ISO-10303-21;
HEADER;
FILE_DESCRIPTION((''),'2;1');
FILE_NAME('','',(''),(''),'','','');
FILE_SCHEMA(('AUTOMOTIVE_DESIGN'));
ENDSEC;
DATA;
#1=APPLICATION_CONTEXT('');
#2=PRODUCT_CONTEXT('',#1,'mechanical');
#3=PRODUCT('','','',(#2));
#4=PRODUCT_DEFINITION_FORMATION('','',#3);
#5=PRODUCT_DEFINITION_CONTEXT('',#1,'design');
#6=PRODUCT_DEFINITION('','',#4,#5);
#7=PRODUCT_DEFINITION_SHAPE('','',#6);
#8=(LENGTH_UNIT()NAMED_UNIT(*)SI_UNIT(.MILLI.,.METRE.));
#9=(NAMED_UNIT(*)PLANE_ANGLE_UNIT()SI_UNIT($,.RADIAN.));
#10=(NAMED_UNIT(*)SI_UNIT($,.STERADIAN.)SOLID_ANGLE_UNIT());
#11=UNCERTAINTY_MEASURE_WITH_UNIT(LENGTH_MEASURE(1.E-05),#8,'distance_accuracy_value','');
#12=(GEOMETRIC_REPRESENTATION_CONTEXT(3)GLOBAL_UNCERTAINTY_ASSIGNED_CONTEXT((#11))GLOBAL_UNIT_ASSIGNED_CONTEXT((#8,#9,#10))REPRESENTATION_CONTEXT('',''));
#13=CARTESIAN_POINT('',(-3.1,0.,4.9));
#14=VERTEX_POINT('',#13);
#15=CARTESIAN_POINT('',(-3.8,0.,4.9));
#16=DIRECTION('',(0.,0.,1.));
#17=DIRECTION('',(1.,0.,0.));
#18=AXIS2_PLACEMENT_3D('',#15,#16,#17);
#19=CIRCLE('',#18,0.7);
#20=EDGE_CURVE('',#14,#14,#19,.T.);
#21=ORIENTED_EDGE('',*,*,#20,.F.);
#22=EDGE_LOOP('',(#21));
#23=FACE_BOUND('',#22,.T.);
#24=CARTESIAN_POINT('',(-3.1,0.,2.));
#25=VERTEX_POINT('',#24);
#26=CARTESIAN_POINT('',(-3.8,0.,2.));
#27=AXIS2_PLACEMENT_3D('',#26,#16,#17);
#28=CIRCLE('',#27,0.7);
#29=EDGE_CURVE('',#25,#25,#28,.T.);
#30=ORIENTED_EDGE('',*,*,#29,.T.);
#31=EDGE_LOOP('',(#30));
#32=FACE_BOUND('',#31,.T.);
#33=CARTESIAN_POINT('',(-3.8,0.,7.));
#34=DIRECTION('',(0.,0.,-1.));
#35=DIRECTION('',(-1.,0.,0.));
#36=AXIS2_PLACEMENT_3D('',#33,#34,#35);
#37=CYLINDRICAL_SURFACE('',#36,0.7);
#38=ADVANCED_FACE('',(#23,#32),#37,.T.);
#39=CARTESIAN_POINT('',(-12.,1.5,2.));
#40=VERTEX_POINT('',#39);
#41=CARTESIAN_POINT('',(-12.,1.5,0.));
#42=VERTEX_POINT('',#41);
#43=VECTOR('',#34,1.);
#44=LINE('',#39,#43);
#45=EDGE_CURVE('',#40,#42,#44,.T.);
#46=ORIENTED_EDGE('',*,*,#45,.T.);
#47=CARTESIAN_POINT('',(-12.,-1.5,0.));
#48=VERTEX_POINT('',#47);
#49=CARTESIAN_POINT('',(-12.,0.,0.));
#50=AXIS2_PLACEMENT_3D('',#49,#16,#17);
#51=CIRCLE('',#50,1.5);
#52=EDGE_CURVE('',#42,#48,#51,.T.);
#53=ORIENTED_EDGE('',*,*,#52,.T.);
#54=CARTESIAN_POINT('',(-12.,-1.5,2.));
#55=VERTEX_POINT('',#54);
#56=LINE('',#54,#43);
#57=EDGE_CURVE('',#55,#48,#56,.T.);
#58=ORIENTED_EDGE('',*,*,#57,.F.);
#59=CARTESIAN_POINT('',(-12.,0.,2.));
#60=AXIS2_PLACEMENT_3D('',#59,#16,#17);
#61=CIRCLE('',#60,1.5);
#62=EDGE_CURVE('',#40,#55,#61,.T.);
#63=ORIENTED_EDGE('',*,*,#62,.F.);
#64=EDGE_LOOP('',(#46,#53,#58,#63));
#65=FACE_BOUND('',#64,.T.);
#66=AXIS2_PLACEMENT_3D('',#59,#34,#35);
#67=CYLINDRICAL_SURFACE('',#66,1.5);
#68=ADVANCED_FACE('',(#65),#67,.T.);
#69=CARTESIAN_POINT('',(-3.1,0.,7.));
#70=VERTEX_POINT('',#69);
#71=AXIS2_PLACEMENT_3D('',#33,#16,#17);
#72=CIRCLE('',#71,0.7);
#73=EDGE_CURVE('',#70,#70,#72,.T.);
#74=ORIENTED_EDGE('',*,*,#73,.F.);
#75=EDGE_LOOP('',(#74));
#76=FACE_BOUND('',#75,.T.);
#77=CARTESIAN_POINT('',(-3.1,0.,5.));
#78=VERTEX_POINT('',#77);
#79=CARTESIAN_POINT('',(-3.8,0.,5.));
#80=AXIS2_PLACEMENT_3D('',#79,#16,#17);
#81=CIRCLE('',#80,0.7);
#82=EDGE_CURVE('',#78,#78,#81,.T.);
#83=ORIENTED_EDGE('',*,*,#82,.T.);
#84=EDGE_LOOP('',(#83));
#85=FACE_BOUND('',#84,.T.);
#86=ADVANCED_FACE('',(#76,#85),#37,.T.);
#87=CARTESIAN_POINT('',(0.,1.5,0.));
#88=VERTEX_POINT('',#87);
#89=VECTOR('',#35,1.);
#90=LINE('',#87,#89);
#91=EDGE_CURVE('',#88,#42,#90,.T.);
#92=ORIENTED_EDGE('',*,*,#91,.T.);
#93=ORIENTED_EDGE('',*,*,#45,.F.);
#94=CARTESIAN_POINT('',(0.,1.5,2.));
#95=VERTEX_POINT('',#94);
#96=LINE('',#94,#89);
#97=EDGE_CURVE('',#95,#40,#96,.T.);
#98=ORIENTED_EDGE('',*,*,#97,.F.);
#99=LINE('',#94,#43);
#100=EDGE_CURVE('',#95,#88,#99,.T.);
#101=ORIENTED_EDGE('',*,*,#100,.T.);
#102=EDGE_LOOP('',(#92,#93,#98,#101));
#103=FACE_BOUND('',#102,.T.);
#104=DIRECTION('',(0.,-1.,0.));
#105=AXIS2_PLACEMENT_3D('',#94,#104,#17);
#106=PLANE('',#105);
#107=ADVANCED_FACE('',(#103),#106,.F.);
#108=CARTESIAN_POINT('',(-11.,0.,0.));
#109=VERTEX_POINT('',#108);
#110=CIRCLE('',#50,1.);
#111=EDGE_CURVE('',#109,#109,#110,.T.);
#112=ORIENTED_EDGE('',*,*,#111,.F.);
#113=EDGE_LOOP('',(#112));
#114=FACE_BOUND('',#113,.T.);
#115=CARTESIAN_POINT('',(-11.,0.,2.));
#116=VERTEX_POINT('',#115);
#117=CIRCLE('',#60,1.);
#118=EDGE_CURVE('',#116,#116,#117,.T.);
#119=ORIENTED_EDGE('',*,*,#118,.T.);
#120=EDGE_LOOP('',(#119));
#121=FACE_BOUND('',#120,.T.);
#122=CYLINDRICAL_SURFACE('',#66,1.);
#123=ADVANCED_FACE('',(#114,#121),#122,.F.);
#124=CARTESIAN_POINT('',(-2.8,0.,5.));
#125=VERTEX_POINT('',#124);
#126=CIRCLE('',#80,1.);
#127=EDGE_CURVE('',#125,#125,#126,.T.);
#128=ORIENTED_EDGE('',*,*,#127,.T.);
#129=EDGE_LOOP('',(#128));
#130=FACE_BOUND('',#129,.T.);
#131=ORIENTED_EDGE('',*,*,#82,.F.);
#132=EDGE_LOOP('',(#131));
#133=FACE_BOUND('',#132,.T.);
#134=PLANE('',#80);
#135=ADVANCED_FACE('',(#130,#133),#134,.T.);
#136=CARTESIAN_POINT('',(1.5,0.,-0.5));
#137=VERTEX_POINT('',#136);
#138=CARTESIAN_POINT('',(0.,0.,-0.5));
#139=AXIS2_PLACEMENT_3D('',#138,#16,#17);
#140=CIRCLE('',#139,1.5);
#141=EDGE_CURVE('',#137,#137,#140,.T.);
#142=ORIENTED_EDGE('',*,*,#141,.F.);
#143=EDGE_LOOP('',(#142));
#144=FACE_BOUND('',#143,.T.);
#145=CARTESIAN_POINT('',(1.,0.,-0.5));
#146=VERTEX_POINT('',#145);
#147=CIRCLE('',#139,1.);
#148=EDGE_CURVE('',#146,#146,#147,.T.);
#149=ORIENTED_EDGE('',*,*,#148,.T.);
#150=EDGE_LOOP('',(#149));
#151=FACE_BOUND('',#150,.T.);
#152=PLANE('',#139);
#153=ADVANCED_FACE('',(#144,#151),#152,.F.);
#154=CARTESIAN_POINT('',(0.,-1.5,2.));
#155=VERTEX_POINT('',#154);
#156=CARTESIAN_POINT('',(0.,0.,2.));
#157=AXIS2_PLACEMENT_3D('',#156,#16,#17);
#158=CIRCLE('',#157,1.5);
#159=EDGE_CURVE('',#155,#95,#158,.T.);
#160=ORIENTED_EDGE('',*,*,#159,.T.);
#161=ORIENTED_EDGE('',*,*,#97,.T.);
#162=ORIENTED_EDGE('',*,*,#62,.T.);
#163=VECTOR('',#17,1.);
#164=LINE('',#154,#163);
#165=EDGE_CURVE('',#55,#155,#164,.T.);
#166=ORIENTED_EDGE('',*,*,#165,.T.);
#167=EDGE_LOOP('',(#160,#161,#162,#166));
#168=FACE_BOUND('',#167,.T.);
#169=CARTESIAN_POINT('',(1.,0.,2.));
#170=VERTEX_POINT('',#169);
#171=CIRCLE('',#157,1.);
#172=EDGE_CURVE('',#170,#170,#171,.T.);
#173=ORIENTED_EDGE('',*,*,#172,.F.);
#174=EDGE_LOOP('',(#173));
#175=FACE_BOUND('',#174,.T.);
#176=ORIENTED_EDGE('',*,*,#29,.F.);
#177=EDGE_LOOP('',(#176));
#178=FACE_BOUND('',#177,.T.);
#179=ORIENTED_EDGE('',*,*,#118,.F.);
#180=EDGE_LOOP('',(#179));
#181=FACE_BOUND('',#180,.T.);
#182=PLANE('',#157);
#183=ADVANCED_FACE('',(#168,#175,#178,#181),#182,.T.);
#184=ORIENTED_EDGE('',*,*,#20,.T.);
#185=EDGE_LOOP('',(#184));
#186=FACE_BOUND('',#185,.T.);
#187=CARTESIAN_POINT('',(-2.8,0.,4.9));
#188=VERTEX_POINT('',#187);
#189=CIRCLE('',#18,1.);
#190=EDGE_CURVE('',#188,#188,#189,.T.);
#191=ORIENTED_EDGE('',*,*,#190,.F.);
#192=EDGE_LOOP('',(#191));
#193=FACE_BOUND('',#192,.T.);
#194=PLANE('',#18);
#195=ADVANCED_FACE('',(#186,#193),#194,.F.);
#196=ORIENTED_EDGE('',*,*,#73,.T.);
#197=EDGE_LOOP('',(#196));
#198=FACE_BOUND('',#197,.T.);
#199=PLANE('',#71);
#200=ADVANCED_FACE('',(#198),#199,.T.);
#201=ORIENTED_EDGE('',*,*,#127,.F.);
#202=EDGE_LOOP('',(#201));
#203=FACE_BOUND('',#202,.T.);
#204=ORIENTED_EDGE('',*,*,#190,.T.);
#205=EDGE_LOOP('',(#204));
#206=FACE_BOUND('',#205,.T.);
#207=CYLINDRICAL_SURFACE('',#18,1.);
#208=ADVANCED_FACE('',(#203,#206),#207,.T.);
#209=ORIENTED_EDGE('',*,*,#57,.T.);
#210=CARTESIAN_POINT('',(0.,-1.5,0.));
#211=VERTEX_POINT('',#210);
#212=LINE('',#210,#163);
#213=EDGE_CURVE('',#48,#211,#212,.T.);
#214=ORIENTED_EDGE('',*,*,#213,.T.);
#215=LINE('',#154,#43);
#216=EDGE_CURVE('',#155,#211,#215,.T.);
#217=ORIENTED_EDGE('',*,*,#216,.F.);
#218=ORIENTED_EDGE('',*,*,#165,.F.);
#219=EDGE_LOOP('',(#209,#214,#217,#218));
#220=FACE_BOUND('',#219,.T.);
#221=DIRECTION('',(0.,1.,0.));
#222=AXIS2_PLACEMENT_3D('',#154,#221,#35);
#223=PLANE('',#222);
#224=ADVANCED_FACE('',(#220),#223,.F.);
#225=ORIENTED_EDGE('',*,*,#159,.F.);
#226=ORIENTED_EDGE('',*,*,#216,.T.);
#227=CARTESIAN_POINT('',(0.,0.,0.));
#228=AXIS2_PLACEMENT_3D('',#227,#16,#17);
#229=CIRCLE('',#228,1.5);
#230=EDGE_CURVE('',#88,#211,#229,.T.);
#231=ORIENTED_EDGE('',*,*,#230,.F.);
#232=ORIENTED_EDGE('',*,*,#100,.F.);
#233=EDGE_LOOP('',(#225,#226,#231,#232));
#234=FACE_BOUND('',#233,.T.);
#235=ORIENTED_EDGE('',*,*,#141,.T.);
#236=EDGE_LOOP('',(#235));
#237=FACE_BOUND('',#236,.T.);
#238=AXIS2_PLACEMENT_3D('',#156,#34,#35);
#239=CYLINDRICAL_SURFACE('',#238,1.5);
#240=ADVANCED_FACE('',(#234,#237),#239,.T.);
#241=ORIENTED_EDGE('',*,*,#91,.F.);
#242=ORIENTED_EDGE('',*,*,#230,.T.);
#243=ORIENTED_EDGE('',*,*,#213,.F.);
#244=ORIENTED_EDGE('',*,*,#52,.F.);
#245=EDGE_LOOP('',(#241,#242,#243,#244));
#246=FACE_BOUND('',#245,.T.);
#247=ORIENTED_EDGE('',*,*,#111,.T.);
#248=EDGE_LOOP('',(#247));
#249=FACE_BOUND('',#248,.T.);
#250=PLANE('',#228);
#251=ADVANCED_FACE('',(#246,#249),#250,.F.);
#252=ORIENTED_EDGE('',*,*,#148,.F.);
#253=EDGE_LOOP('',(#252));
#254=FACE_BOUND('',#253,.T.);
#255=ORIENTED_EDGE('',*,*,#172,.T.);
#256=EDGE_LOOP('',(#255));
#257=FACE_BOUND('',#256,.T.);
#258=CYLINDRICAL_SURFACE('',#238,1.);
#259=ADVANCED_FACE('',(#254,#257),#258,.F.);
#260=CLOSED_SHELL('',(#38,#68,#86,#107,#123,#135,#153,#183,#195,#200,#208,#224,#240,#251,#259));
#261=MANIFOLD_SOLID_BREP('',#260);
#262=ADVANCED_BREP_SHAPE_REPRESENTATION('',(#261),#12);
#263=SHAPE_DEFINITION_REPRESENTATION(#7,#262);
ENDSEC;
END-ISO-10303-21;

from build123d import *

# Parameters (mm, degrees)
SKETCH_1_R      = 1
EXTRUDE_1_DEPTH = 2
SKETCH_2_R      = 1.5
SKETCH_2_R_2    = 1
EXTRUDE_2_DEPTH = 0.5
SKETCH_3_R      = 0.7
EXTRUDE_3_DEPTH = 5
EXTRUDE_START   = -2
SKETCH_4_R      = 1
EXTRUDE_4_DEPTH = 0.1


with BuildPart() as part:
    # 草图1 → 凸台-拉伸1 (new body)
    with BuildSketch(Plane.XY):
        with BuildLine():
            Line((0, -1.5), (-12, -1.5))
            ThreePointArc((-12, -1.5), (-13.5, 0), (-12, 1.5))
            Line((-12, 1.5), (0, 1.5))
            ThreePointArc((0, 1.5), (1.5, 0), (0, -1.5))
        make_face()
        with Locations((-12, 0)):
            Circle(SKETCH_1_R, mode=Mode.SUBTRACT)
        Circle(SKETCH_1_R, mode=Mode.SUBTRACT)
    extrude(amount=EXTRUDE_1_DEPTH)

    # 草图2 → 凸台-拉伸2 (add)
    with BuildSketch(Plane.XY):
        Circle(SKETCH_2_R)
        Circle(SKETCH_2_R_2, mode=Mode.SUBTRACT)
    extrude(amount=-EXTRUDE_2_DEPTH)

    # 草图3 → 凸台-拉伸3 (add)
    with BuildSketch(Plane.XY.offset(2)):
        with Locations((-3.8, 0)):
            Circle(SKETCH_3_R)
    extrude(amount=EXTRUDE_3_DEPTH)

    # 草图4 → 凸台-拉伸4 (add)
    with BuildSketch(Plane.XY.offset(7).offset(EXTRUDE_START)):
        with Locations((-3.8, 0)):
            Circle(SKETCH_4_R)
    extrude(amount=-EXTRUDE_4_DEPTH)


solid = part.part
